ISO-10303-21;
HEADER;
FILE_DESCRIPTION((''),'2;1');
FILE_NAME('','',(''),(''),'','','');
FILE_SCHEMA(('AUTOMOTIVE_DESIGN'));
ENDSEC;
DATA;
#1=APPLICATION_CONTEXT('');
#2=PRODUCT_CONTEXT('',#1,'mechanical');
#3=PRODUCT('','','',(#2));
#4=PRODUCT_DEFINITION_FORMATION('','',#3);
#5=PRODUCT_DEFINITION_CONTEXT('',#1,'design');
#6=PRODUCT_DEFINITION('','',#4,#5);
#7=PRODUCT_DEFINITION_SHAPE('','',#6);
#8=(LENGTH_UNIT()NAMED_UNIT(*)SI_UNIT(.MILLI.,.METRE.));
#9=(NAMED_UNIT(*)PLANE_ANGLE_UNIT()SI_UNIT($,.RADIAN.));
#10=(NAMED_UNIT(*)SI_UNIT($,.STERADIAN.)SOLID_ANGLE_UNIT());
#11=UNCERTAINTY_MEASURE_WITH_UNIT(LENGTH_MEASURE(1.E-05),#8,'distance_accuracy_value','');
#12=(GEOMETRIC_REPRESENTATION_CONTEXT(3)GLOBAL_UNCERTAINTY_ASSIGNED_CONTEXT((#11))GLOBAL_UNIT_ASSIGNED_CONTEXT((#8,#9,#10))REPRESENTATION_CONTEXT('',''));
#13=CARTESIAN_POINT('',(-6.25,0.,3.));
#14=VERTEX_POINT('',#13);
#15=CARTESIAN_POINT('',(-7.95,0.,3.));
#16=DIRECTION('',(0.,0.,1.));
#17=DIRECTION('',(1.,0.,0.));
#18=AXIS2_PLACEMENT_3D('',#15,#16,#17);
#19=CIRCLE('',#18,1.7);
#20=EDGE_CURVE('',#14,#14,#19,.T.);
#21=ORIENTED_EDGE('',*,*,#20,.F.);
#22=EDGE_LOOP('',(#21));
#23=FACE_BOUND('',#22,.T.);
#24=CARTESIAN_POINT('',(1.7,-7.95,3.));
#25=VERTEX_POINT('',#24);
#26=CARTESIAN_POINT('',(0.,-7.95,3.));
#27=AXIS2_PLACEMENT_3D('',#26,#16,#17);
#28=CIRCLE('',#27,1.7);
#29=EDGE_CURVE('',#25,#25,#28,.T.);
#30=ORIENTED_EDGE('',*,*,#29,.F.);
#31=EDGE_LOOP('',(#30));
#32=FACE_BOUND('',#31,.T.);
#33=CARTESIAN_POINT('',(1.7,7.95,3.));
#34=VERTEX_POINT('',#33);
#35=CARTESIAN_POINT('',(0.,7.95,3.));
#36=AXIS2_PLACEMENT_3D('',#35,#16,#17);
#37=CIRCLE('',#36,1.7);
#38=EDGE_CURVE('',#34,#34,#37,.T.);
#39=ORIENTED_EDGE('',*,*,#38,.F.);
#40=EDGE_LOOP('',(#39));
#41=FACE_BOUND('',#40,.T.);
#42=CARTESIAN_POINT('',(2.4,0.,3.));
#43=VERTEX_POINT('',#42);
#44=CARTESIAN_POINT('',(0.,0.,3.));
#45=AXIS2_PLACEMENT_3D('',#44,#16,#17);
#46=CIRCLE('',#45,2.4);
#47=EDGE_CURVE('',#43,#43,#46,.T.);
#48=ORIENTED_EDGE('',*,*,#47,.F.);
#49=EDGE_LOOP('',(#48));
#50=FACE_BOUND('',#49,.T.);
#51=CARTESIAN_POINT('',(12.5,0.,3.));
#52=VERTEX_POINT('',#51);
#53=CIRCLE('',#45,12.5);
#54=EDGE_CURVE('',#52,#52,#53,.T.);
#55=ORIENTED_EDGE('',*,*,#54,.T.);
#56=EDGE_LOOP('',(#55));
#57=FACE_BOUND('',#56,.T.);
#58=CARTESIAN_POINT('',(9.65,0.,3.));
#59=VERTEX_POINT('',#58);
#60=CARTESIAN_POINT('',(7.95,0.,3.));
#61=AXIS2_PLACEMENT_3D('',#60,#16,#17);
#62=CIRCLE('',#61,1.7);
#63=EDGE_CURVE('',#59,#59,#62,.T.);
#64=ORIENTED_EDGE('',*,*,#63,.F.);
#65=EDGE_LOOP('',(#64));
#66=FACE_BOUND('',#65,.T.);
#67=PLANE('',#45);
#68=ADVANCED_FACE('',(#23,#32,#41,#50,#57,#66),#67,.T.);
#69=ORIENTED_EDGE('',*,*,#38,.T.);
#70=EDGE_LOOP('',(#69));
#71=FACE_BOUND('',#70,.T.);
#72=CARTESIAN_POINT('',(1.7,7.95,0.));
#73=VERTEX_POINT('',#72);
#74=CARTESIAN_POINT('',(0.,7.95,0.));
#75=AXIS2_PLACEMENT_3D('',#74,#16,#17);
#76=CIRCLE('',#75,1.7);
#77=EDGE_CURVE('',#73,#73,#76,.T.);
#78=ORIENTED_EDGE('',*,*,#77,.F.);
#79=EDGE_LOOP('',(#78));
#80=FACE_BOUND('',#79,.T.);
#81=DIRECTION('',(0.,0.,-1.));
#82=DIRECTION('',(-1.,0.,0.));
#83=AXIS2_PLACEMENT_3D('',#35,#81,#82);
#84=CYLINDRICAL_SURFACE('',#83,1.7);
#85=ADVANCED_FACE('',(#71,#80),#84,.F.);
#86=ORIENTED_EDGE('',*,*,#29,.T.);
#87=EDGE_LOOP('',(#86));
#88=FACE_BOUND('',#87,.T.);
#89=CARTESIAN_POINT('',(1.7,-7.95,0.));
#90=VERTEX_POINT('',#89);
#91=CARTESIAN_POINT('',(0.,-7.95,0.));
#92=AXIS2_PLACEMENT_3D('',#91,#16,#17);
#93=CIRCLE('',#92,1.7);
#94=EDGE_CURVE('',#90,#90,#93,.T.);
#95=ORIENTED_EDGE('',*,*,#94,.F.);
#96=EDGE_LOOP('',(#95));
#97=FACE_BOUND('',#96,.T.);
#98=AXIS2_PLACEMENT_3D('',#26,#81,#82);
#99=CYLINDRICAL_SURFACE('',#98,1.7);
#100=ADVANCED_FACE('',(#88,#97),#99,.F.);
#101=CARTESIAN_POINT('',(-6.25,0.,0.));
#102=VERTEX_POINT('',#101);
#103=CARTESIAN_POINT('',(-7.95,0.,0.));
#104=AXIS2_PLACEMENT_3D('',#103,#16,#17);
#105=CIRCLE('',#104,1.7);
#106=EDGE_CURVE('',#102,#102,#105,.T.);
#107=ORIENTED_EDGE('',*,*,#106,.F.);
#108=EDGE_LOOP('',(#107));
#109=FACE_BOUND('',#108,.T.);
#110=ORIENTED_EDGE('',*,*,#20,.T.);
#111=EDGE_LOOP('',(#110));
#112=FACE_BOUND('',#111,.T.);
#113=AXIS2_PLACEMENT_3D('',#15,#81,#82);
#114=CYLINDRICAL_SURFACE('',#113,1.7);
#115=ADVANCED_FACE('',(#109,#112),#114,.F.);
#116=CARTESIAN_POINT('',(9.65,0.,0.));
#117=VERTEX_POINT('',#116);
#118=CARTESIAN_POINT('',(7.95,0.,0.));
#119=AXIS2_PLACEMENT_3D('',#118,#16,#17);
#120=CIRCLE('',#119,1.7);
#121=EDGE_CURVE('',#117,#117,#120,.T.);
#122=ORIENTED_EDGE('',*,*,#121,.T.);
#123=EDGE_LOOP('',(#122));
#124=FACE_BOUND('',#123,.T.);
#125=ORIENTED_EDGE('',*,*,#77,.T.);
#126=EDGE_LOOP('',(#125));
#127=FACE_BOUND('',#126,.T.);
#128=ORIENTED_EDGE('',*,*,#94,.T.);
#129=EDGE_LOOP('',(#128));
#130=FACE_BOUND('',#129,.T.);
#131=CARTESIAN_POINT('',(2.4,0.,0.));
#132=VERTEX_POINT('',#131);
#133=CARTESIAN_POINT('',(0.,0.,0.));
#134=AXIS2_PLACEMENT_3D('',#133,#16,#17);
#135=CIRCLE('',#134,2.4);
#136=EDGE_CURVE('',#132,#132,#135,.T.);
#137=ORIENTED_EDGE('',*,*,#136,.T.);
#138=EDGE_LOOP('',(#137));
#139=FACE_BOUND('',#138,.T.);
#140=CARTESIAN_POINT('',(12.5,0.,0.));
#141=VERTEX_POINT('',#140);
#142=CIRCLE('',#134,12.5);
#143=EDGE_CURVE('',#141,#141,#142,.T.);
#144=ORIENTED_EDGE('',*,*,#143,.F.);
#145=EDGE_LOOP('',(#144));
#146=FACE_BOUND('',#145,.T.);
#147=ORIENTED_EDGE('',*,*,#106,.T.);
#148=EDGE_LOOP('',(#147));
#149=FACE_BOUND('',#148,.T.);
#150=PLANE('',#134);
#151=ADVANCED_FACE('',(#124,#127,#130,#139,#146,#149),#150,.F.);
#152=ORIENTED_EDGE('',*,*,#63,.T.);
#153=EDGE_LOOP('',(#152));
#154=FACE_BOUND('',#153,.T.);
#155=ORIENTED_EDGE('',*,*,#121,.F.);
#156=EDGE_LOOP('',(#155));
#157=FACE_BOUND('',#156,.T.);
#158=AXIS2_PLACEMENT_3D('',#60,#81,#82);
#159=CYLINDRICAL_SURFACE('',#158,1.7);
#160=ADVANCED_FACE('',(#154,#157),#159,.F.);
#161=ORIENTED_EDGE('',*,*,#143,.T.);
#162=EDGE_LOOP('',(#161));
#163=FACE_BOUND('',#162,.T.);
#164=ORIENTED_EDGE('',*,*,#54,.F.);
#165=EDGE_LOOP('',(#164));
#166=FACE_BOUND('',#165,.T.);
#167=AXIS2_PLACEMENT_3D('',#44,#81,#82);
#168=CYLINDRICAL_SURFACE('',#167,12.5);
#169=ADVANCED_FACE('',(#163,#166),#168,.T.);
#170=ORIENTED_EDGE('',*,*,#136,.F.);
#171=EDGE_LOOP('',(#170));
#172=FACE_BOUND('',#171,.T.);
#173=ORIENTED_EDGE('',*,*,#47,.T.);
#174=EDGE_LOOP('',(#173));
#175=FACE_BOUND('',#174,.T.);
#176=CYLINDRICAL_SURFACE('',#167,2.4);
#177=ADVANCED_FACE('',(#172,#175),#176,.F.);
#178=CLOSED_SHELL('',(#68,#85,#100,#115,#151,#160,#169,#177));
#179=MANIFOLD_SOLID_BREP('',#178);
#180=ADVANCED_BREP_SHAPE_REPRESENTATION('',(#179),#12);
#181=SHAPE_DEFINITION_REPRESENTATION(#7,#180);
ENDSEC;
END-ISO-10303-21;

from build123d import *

# Parameters (mm, degrees)
SKETCH_1_R      = 12.5
SKETCH_1_R_2    = 2.4
SKETCH_1_R_3    = 1.7
EXTRUDE_1_DEPTH = 3


with BuildPart() as part:
    # 草圖1 → 伸長1 (new body)
    with BuildSketch(Plane.XY):
        Circle(SKETCH_1_R)
        Circle(SKETCH_1_R_2, mode=Mode.SUBTRACT)
        with Locations((0, 7.95)):
            Circle(SKETCH_1_R_3, mode=Mode.SUBTRACT)
        with Locations((7.95, 0)):
            Circle(SKETCH_1_R_3, mode=Mode.SUBTRACT)
        with Locations((0, -7.95)):
            Circle(SKETCH_1_R_3, mode=Mode.SUBTRACT)
        with Locations((-7.95, 0)):
            Circle(SKETCH_1_R_3, mode=Mode.SUBTRACT)
    extrude(amount=EXTRUDE_1_DEPTH)


solid = part.part
